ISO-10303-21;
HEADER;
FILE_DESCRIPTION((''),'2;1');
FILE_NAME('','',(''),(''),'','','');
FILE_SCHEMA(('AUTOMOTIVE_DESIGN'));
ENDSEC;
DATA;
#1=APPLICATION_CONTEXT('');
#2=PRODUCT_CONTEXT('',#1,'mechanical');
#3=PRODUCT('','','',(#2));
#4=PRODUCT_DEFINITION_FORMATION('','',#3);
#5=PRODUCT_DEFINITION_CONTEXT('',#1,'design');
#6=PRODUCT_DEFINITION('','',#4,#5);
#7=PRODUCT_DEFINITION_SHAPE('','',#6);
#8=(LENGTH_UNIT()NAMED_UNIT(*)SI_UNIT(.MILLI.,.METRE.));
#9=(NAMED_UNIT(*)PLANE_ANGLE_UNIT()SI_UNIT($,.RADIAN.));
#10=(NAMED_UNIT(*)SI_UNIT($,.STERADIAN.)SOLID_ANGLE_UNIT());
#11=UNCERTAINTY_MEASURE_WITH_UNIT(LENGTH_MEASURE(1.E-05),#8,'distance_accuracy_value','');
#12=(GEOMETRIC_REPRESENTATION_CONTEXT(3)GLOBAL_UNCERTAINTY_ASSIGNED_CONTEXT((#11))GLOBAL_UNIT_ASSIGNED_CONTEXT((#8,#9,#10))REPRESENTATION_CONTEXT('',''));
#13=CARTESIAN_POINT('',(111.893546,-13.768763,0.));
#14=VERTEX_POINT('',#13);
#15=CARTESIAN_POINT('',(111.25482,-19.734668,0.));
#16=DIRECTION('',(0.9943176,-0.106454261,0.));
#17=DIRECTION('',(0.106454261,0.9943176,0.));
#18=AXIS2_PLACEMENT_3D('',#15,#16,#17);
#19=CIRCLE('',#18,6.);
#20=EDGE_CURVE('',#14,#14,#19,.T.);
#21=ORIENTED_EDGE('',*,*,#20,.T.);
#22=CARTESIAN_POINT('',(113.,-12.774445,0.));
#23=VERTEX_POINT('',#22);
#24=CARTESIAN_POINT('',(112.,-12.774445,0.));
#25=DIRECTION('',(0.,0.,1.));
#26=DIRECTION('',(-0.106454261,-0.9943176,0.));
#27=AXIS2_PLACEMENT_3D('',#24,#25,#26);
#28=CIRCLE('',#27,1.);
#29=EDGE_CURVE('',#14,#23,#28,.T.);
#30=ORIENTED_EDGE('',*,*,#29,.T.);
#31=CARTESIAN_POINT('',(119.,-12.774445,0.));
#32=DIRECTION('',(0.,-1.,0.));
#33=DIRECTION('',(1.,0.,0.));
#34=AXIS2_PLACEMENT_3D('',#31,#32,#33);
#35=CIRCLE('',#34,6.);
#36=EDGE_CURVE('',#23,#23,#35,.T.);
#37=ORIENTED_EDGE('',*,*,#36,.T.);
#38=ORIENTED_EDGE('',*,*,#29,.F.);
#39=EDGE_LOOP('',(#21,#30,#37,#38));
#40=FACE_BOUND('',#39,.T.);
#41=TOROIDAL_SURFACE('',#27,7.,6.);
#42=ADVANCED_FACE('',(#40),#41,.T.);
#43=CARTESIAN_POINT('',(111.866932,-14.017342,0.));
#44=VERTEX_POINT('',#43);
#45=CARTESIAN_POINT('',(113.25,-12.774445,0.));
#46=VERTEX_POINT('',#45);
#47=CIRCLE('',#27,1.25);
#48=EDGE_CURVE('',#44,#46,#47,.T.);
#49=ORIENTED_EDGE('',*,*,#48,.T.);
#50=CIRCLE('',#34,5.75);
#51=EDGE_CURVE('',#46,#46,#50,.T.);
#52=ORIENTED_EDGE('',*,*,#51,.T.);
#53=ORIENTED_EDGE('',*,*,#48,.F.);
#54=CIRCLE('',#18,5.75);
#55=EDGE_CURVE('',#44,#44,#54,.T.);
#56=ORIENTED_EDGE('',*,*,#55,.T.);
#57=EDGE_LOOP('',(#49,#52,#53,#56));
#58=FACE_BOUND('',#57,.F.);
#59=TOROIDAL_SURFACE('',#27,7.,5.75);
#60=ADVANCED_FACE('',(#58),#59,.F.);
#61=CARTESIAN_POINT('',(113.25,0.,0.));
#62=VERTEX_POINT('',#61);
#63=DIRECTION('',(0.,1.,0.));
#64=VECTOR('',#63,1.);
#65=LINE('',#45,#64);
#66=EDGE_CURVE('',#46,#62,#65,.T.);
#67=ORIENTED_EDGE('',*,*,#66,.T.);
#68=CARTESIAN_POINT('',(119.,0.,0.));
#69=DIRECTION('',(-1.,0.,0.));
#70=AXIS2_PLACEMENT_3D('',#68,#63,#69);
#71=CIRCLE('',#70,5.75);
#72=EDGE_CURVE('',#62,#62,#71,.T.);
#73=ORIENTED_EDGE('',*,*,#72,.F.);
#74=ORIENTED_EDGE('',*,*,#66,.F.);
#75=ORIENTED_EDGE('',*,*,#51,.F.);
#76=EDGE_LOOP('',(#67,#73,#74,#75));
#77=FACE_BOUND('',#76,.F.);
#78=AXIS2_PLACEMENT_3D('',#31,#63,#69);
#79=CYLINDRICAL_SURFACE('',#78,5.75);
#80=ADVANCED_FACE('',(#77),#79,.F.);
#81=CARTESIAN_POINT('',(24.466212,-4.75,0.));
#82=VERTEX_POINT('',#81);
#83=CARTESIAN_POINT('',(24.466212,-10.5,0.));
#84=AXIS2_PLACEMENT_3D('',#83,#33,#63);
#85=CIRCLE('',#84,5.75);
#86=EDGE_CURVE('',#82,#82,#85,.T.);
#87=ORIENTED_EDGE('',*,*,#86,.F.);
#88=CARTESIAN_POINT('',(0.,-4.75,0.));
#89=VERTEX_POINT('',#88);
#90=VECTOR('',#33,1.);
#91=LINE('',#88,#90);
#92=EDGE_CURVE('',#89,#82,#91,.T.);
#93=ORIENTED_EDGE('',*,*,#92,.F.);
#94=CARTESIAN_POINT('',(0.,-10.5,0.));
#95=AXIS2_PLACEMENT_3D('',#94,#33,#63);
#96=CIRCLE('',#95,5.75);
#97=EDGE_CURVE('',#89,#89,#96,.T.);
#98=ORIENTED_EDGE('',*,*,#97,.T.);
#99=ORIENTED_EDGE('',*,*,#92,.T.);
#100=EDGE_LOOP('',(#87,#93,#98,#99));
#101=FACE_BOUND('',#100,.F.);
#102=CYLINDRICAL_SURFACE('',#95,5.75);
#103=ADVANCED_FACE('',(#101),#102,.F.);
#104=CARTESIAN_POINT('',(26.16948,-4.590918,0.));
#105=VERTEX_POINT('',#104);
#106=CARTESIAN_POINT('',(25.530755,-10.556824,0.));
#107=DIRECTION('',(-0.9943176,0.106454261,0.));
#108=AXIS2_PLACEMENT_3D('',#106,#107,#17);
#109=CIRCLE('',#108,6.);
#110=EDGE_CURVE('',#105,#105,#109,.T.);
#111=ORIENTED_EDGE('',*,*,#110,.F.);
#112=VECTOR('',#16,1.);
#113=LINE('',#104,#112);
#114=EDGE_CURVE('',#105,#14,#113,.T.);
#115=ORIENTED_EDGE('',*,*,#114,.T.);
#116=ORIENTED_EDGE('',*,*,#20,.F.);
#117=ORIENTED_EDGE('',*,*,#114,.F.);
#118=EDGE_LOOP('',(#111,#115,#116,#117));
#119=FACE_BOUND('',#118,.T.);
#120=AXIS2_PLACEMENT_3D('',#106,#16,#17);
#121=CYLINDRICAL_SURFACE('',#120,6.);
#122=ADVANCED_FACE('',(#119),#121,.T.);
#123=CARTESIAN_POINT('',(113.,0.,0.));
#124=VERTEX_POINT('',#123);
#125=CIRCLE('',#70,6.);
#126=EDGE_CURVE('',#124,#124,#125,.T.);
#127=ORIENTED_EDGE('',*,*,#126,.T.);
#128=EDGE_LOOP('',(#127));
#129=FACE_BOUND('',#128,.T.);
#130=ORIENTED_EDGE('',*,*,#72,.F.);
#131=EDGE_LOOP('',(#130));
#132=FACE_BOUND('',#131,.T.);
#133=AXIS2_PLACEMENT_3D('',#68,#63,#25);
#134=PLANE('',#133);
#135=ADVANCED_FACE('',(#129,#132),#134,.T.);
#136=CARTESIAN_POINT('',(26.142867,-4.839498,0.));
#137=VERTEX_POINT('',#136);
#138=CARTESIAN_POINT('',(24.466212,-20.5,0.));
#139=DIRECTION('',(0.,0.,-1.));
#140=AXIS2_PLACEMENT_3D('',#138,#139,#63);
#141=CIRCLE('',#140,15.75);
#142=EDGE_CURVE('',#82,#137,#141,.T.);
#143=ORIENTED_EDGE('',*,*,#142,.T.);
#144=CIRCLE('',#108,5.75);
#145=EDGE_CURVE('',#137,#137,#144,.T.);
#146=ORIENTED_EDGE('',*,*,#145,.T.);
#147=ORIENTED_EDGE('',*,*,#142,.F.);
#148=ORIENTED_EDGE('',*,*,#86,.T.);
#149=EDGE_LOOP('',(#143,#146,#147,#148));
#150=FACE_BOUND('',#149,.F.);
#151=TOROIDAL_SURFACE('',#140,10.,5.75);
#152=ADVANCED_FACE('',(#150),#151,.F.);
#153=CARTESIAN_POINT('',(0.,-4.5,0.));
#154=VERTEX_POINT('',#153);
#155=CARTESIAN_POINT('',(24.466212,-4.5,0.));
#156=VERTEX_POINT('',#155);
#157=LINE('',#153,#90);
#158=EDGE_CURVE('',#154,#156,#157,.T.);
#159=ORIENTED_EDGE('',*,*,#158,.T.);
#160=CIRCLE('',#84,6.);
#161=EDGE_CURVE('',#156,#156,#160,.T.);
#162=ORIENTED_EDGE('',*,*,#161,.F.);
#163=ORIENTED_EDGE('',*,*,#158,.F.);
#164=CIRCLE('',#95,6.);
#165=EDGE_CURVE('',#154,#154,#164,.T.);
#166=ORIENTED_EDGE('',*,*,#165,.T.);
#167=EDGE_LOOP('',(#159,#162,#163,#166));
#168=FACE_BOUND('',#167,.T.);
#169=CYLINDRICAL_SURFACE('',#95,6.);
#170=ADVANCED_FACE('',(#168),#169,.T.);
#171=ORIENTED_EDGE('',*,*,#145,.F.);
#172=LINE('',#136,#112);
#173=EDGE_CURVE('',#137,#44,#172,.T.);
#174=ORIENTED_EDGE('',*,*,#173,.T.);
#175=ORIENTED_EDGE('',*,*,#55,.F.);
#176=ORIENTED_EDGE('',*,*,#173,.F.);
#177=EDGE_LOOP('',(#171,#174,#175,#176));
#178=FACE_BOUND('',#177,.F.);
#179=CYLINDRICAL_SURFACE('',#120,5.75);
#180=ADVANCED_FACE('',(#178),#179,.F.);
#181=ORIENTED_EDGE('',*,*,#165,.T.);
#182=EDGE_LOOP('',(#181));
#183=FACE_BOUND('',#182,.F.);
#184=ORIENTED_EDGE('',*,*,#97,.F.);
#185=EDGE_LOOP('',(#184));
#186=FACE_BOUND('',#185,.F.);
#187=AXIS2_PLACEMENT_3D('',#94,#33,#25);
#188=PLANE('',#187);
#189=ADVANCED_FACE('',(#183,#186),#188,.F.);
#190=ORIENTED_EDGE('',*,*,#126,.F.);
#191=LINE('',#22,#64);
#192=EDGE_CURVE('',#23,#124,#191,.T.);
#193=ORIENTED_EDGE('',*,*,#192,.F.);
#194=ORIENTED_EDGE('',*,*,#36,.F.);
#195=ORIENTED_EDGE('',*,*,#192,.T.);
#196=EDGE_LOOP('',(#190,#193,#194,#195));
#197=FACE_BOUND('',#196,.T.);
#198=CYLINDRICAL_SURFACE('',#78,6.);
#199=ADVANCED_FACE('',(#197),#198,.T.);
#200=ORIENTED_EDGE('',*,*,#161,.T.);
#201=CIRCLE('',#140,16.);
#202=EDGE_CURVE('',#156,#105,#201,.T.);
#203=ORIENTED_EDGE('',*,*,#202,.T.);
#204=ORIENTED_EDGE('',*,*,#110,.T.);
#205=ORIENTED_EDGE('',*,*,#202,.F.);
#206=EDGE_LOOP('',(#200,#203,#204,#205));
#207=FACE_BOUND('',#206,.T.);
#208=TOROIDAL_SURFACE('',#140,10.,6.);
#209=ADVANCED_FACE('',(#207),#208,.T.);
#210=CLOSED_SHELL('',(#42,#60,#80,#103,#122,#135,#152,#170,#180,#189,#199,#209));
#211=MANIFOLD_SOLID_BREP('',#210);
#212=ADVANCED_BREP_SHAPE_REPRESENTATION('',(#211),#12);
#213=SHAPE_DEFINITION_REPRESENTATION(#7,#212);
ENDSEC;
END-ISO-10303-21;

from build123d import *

# Parameters (mm, degrees)
F1_R   = 6
F1_R_2 = 5.75


with BuildPart() as f2:
    # F2: sweep along a path in F0
    with BuildLine(Plane.XY) as f2_path:
        Line((0, -4.5), (24.4662120984, -4.5))
        ThreePointArc((24.4662120984, -4.5), (25.3190585994, -4.5227457664), (26.1694802695, -4.5909183943))
        Line((26.1694802695, -4.5909183943), (111.8935457393, -13.768762586))
        ThreePointArc((111.8935457393, -13.768762586), (112.6684107043, -13.5182373829), (113, -12.7744449856))
        Line((113, -12.7744449856), (113, 0))
    # F1 (on Right) → F2 (sweep)
    with BuildSketch(Plane.YZ):
        with Locations((-10.5, 0)):
            Circle(F1_R)
        with Locations((-10.5, 0)):
            Circle(F1_R_2, mode=Mode.SUBTRACT)
    sweep(path=f2_path.line)


solid = f2.part
